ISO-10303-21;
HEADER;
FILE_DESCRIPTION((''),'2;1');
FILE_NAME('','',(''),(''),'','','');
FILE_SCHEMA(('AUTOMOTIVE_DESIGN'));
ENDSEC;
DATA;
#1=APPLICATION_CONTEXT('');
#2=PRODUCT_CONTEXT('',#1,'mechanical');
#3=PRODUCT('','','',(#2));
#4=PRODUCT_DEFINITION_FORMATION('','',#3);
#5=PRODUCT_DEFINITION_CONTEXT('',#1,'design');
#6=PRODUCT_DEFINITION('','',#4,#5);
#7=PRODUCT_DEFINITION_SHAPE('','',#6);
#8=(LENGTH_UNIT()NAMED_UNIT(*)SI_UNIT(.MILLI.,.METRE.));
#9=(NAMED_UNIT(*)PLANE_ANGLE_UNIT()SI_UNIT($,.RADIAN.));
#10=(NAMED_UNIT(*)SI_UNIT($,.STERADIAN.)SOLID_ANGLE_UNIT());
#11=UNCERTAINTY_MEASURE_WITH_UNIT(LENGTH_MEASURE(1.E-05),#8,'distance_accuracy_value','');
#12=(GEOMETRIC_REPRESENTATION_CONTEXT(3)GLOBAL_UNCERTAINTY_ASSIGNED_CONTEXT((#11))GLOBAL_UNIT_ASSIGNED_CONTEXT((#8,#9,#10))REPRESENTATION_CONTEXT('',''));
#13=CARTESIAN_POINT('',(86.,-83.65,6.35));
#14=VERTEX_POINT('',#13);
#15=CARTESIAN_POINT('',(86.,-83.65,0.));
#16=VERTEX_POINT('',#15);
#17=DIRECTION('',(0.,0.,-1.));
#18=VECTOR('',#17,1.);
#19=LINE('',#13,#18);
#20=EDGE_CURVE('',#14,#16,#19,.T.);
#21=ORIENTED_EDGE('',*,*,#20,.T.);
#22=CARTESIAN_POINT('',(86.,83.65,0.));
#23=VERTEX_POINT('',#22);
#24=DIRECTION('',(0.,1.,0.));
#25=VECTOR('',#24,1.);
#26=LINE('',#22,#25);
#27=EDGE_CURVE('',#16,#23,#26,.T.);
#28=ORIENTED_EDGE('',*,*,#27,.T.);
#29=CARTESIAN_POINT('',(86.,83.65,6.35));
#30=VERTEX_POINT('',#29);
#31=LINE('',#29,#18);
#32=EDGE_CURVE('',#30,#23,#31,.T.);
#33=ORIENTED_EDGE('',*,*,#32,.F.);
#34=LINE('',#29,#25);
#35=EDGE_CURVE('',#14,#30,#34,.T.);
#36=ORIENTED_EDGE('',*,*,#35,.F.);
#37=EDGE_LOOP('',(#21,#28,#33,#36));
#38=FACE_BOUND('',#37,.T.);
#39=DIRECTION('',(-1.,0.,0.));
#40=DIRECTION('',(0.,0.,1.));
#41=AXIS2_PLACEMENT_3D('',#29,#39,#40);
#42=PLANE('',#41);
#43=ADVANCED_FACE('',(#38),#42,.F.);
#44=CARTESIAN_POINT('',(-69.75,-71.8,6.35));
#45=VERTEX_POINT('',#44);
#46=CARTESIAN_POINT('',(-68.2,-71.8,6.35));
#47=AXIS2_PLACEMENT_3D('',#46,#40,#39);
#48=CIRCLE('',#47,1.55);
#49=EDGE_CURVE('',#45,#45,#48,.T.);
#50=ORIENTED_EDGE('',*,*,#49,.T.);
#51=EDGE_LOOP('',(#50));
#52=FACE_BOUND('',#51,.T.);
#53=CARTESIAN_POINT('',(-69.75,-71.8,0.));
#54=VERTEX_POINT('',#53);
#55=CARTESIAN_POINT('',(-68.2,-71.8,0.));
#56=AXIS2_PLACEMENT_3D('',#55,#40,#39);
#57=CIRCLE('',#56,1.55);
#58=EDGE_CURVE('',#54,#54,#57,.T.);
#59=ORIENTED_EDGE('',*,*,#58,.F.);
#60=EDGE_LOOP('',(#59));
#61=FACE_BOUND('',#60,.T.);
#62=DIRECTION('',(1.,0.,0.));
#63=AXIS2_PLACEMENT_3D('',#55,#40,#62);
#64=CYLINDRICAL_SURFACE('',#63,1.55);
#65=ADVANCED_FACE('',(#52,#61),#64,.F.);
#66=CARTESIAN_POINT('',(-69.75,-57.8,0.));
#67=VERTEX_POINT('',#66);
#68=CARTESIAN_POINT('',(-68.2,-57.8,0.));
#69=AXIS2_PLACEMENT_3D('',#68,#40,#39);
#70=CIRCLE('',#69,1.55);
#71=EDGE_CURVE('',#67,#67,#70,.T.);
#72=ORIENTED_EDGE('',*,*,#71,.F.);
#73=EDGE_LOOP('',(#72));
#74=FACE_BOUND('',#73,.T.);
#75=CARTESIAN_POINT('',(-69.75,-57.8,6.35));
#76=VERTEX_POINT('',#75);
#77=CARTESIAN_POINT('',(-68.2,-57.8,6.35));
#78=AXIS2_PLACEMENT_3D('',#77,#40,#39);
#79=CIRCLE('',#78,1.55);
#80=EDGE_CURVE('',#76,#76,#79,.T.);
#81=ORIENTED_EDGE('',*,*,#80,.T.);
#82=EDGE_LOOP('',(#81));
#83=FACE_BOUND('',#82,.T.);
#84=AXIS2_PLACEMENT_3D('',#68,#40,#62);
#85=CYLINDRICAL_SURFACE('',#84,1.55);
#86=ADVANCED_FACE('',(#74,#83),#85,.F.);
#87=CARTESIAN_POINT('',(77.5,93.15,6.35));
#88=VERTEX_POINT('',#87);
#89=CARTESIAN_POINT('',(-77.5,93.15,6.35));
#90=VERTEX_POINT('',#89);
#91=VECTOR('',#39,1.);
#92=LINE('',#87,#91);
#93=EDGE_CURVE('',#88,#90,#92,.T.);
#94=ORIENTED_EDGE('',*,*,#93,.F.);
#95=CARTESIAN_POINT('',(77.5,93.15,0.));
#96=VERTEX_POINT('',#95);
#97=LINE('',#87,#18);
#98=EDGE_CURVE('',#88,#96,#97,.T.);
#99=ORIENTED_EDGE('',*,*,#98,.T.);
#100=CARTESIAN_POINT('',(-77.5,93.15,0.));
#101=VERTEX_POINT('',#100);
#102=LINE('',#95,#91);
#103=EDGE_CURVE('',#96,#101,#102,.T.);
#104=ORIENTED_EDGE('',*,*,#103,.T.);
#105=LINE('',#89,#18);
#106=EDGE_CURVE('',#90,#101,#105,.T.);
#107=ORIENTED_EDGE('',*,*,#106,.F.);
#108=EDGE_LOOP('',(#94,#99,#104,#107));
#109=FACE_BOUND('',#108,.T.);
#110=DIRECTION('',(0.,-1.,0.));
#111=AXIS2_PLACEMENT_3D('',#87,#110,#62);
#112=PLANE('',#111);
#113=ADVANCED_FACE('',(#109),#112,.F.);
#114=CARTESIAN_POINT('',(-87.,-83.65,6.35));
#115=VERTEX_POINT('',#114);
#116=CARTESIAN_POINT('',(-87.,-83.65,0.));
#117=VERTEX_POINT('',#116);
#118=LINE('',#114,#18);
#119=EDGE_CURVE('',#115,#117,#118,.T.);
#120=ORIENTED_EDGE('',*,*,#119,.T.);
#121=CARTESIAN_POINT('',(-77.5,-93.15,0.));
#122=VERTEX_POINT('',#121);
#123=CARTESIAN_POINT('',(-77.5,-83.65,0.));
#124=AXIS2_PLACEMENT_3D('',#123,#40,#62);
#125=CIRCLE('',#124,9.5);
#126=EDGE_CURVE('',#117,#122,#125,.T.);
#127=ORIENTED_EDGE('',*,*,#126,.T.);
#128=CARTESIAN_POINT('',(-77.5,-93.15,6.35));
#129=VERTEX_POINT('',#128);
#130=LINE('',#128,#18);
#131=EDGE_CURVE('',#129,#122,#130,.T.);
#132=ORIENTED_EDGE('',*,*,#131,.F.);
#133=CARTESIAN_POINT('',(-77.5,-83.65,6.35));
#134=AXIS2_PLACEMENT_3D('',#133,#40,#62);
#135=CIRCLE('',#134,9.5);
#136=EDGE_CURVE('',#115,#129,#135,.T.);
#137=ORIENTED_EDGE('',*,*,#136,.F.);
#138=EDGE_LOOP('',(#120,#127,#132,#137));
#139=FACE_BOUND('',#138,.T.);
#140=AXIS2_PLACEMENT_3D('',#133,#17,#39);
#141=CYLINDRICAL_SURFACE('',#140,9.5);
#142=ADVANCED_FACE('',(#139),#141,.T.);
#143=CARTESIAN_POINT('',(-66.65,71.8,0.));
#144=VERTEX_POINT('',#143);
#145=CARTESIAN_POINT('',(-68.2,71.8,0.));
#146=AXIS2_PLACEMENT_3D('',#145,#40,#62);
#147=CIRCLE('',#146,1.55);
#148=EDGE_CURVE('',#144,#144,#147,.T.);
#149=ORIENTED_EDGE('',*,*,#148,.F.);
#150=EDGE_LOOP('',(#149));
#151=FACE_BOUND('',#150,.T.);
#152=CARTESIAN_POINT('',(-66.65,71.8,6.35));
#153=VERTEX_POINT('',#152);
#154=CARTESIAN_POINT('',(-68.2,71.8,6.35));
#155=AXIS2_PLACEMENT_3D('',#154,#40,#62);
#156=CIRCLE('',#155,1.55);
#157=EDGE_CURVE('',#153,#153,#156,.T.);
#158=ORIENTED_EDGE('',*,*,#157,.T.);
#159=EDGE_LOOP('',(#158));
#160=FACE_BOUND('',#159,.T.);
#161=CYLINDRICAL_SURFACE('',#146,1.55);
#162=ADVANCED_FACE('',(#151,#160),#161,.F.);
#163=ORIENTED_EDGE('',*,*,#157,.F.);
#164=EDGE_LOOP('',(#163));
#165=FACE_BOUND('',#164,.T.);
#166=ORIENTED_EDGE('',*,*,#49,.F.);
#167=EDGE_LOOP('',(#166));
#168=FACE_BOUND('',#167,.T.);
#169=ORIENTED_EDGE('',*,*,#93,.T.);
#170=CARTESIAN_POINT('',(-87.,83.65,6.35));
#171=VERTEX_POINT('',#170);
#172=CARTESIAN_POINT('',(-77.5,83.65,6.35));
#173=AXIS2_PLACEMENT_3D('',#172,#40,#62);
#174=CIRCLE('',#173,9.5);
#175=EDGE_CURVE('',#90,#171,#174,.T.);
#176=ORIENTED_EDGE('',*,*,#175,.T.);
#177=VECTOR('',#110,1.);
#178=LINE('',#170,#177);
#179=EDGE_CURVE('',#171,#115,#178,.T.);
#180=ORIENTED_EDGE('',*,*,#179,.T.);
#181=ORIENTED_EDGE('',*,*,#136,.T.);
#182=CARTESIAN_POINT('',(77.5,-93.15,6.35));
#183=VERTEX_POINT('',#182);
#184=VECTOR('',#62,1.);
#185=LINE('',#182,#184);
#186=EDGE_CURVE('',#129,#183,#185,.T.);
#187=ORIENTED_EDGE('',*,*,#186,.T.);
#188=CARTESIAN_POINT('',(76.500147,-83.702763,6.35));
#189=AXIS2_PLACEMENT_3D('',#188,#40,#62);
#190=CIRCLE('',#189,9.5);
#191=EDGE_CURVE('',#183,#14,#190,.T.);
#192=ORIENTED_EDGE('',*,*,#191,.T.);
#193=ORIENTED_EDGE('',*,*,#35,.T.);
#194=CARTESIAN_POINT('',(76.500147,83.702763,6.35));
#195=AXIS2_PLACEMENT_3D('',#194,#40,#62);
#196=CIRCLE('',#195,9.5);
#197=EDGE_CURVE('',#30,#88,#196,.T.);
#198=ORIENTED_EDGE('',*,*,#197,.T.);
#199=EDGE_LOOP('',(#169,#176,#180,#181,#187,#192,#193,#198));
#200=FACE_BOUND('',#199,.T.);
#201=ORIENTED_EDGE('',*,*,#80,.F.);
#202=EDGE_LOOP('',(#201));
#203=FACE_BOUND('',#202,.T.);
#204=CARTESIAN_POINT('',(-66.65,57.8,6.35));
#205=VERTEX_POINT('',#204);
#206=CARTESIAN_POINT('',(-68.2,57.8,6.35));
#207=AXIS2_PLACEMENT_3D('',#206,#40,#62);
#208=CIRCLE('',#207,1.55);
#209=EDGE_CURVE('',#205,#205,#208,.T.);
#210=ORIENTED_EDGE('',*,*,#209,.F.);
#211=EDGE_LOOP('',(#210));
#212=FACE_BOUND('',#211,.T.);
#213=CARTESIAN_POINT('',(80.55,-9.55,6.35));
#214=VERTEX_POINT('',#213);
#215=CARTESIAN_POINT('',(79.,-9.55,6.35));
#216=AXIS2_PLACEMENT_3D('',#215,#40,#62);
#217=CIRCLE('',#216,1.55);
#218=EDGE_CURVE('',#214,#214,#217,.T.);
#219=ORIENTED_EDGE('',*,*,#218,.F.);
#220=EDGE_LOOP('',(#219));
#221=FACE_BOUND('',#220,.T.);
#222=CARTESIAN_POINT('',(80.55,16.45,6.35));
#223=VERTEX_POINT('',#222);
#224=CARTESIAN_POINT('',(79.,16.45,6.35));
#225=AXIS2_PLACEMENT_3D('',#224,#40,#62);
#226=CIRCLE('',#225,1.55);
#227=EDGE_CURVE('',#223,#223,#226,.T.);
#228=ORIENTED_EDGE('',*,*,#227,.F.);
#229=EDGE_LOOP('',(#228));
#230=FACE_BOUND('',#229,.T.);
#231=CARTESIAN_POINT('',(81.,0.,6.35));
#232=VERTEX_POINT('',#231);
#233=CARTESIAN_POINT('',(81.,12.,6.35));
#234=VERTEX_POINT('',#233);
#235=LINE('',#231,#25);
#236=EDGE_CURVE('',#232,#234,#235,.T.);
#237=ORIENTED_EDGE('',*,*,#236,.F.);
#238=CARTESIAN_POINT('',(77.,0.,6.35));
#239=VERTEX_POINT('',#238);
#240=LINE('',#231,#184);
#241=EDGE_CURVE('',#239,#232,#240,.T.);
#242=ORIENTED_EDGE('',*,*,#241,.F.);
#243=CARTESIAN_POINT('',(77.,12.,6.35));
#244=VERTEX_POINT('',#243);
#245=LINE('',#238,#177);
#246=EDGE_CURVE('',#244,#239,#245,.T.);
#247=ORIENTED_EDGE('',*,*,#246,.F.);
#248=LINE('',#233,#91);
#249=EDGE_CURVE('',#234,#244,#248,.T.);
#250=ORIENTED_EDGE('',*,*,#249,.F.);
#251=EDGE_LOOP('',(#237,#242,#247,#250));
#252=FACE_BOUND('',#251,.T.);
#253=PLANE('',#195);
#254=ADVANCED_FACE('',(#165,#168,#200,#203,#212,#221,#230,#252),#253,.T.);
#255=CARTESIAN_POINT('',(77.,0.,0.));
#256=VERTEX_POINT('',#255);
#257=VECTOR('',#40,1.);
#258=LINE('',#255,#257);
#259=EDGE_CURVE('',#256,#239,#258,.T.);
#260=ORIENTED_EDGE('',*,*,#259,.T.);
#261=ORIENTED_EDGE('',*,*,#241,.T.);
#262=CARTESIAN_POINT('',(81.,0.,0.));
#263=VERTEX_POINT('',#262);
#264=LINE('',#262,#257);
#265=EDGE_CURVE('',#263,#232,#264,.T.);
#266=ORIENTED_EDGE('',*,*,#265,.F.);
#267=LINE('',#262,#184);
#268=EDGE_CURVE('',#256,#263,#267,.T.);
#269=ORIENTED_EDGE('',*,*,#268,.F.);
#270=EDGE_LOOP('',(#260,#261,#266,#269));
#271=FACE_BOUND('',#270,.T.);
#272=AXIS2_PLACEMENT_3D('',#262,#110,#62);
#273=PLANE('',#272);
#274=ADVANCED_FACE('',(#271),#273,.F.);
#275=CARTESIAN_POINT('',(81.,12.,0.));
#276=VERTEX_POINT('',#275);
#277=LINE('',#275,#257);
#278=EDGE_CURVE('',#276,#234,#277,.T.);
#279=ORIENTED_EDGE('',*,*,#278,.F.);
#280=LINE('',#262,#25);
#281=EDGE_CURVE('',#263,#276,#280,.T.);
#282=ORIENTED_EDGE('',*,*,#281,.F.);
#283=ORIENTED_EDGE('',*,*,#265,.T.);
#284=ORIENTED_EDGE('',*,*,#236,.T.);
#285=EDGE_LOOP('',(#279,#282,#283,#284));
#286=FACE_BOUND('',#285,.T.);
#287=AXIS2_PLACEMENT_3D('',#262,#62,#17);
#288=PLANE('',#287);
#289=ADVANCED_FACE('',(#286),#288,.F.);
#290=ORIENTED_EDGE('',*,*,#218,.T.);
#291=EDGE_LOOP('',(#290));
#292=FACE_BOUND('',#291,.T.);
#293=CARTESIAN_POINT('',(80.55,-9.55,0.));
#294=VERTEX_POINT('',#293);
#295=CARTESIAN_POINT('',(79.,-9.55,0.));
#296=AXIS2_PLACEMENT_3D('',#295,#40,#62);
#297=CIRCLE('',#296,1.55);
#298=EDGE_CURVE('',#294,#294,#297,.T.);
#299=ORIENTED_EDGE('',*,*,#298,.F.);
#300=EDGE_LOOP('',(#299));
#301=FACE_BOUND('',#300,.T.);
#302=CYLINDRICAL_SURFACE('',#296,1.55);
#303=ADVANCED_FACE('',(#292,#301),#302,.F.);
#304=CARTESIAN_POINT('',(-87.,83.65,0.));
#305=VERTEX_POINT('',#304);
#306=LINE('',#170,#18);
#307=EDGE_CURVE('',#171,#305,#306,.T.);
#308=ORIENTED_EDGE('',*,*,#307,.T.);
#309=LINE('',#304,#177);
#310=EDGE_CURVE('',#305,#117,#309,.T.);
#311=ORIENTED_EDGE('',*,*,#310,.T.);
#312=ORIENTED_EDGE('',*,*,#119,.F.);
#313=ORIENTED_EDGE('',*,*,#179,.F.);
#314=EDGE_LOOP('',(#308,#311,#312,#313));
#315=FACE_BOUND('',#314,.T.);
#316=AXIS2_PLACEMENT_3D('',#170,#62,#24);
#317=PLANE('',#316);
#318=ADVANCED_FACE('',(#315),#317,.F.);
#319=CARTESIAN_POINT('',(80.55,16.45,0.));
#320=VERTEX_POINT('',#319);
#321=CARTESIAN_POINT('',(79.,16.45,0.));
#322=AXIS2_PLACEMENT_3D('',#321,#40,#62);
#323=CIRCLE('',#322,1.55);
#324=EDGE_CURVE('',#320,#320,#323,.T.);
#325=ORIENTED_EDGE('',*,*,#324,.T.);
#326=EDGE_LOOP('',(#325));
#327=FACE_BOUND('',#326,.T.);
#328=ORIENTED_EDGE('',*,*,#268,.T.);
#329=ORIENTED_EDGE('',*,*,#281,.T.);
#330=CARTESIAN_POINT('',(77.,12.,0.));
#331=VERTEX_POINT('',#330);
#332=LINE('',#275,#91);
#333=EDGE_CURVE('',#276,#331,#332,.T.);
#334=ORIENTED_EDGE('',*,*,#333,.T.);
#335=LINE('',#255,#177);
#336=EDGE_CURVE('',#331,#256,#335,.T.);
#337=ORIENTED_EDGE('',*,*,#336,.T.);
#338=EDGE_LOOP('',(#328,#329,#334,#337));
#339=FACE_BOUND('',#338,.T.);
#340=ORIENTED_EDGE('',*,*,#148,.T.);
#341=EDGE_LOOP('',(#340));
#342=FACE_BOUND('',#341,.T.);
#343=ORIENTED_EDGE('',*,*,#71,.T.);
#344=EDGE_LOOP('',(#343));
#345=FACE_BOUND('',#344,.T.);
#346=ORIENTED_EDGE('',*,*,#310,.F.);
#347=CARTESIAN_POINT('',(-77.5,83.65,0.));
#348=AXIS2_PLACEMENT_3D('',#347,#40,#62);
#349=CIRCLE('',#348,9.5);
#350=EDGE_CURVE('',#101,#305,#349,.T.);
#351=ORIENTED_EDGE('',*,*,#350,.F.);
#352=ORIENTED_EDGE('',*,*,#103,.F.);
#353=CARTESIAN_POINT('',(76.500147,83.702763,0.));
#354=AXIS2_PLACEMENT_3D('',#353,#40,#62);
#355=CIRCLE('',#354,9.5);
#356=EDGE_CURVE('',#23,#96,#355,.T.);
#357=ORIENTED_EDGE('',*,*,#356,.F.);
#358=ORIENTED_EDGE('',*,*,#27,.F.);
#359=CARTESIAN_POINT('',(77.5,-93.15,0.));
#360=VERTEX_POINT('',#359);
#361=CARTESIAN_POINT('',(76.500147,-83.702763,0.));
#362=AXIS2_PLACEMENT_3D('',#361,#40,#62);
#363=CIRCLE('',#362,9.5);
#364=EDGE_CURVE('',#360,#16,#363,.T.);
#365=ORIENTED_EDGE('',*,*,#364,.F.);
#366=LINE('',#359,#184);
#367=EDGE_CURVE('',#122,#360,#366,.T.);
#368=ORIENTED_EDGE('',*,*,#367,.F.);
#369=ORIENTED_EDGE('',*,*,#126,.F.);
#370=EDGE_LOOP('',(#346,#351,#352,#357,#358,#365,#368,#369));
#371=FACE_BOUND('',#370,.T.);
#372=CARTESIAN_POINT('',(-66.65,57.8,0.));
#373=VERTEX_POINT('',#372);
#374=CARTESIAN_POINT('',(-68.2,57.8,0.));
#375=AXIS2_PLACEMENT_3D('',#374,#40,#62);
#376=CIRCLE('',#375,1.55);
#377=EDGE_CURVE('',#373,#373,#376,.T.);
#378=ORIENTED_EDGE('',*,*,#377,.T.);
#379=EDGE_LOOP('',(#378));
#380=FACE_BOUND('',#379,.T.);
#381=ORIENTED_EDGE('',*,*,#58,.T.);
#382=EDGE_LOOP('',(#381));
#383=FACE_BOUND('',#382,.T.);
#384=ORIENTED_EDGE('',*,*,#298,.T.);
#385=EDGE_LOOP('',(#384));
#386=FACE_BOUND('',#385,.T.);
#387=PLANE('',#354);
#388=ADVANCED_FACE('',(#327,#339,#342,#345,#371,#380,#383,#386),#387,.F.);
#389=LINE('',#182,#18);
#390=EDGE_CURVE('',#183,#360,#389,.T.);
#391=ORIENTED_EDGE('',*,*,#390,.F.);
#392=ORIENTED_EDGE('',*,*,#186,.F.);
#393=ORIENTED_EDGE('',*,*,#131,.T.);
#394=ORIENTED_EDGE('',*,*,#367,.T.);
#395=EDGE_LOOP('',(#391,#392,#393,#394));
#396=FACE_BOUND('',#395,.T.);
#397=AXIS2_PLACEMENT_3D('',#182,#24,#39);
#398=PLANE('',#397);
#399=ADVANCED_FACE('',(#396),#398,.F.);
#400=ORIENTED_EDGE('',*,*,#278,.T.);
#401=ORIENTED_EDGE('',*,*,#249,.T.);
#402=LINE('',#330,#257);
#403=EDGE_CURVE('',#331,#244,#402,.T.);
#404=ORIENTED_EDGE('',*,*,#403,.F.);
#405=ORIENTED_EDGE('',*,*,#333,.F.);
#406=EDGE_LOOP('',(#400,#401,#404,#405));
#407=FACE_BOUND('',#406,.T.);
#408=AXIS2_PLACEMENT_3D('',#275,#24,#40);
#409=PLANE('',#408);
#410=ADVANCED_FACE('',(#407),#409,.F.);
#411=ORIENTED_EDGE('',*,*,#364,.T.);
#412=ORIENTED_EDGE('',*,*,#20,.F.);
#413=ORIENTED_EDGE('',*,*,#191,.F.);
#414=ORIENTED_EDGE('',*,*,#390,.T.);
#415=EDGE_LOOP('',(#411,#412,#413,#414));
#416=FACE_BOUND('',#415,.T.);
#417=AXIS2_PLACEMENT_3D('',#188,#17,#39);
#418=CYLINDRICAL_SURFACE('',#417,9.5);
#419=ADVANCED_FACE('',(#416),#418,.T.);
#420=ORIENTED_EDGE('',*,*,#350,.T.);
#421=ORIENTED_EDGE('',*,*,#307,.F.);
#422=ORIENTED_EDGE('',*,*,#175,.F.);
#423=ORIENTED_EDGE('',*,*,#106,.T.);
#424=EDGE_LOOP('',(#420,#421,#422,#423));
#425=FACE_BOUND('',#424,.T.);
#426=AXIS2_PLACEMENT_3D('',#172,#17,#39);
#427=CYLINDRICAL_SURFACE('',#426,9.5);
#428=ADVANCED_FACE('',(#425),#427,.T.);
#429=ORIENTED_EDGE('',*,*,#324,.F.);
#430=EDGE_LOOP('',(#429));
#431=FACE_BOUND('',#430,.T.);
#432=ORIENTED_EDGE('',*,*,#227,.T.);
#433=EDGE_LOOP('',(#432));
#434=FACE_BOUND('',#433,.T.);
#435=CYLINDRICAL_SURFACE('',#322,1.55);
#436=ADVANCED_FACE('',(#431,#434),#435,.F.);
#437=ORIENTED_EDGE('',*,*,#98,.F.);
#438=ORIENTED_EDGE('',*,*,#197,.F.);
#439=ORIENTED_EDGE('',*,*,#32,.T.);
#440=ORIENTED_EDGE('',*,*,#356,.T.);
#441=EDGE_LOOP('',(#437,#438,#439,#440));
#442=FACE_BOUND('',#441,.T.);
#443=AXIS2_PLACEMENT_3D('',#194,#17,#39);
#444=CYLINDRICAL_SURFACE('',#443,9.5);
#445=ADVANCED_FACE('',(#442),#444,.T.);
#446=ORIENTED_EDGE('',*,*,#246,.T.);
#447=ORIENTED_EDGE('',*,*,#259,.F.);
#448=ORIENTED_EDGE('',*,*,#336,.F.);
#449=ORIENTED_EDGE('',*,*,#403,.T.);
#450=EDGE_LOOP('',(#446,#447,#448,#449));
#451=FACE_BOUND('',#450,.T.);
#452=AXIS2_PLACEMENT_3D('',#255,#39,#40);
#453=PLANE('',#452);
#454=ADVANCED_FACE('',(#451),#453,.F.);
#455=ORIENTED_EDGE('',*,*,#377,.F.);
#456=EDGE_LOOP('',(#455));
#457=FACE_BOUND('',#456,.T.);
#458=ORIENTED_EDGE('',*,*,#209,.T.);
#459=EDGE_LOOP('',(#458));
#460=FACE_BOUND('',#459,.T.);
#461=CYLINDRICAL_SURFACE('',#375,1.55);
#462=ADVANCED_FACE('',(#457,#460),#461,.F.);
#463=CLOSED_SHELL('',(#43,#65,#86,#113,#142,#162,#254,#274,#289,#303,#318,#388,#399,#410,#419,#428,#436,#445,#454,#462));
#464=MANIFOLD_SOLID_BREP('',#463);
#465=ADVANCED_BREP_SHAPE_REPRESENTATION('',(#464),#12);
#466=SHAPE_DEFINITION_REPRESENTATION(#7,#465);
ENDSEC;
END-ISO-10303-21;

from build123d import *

# Parameters (mm, degrees)
BOSS_EXTRUDE1_DEPTH = 6.35
SKETCH3_W           = 4
SKETCH3_H           = 12
CUT_EXTRUDE1_DEPTH  = 6.35
SKETCH4_R           = 1.55
CUT_EXTRUDE2_DEPTH  = 7.35
SKETCH5_R           = 1.55
CUT_EXTRUDE3_DEPTH  = 7.35


with BuildPart() as part:
    # Sketch2 → Boss-Extrude1 (new body)
    with BuildSketch(Plane.XY):
        with BuildLine():
            Line((77.5, 93.15), (-77.5, 93.15))
            ThreePointArc((-77.5, 93.15), (-84.217514421, 90.367514421), (-87, 83.65))
            Line((-87, 83.65), (-87, -83.65))
            ThreePointArc((-87, -83.65), (-84.217514421, -90.367514421), (-77.5, -93.15))
            Line((-77.5, -93.15), (77.5, -93.15))
            ThreePointArc((77.5, -93.15), (83.579939001, -90.037313843), (86, -83.65))
            Line((86, -83.65), (86, 83.65))
            ThreePointArc((86, 83.65), (83.579939001, 90.037313843), (77.5, 93.15))
        make_face()
    extrude(amount=BOSS_EXTRUDE1_DEPTH)

    # Sketch3 → Cut-Extrude1 (cut)
    with BuildSketch(Plane.XY.offset(6.35)):
        with Locations((79, 6)):
            Rectangle(SKETCH3_W, SKETCH3_H)
    extrude(amount=-CUT_EXTRUDE1_DEPTH, mode=Mode.SUBTRACT)

    # Sketch4 → Cut-Extrude2 (cut, through all)
    with BuildSketch(Plane.XY.offset(6.35)):
        with Locations((-68.2, 71.8)):
            Circle(SKETCH4_R)
        with Locations((-68.2, 57.8)):
            Circle(SKETCH4_R)
        with Locations((-68.2, -57.8)):
            Circle(SKETCH4_R)
        with Locations((-68.2, -71.8)):
            Circle(SKETCH4_R)
    extrude(amount=-CUT_EXTRUDE2_DEPTH, mode=Mode.SUBTRACT)

    # Sketch5 → Cut-Extrude3 (cut, through all)
    with BuildSketch(Plane.XY.offset(6.35)):
        with Locations((79, 16.45)):
            Circle(SKETCH5_R)
        with Locations((79, -9.55)):
            Circle(SKETCH5_R)
    extrude(amount=-CUT_EXTRUDE3_DEPTH, mode=Mode.SUBTRACT)


solid = part.part
